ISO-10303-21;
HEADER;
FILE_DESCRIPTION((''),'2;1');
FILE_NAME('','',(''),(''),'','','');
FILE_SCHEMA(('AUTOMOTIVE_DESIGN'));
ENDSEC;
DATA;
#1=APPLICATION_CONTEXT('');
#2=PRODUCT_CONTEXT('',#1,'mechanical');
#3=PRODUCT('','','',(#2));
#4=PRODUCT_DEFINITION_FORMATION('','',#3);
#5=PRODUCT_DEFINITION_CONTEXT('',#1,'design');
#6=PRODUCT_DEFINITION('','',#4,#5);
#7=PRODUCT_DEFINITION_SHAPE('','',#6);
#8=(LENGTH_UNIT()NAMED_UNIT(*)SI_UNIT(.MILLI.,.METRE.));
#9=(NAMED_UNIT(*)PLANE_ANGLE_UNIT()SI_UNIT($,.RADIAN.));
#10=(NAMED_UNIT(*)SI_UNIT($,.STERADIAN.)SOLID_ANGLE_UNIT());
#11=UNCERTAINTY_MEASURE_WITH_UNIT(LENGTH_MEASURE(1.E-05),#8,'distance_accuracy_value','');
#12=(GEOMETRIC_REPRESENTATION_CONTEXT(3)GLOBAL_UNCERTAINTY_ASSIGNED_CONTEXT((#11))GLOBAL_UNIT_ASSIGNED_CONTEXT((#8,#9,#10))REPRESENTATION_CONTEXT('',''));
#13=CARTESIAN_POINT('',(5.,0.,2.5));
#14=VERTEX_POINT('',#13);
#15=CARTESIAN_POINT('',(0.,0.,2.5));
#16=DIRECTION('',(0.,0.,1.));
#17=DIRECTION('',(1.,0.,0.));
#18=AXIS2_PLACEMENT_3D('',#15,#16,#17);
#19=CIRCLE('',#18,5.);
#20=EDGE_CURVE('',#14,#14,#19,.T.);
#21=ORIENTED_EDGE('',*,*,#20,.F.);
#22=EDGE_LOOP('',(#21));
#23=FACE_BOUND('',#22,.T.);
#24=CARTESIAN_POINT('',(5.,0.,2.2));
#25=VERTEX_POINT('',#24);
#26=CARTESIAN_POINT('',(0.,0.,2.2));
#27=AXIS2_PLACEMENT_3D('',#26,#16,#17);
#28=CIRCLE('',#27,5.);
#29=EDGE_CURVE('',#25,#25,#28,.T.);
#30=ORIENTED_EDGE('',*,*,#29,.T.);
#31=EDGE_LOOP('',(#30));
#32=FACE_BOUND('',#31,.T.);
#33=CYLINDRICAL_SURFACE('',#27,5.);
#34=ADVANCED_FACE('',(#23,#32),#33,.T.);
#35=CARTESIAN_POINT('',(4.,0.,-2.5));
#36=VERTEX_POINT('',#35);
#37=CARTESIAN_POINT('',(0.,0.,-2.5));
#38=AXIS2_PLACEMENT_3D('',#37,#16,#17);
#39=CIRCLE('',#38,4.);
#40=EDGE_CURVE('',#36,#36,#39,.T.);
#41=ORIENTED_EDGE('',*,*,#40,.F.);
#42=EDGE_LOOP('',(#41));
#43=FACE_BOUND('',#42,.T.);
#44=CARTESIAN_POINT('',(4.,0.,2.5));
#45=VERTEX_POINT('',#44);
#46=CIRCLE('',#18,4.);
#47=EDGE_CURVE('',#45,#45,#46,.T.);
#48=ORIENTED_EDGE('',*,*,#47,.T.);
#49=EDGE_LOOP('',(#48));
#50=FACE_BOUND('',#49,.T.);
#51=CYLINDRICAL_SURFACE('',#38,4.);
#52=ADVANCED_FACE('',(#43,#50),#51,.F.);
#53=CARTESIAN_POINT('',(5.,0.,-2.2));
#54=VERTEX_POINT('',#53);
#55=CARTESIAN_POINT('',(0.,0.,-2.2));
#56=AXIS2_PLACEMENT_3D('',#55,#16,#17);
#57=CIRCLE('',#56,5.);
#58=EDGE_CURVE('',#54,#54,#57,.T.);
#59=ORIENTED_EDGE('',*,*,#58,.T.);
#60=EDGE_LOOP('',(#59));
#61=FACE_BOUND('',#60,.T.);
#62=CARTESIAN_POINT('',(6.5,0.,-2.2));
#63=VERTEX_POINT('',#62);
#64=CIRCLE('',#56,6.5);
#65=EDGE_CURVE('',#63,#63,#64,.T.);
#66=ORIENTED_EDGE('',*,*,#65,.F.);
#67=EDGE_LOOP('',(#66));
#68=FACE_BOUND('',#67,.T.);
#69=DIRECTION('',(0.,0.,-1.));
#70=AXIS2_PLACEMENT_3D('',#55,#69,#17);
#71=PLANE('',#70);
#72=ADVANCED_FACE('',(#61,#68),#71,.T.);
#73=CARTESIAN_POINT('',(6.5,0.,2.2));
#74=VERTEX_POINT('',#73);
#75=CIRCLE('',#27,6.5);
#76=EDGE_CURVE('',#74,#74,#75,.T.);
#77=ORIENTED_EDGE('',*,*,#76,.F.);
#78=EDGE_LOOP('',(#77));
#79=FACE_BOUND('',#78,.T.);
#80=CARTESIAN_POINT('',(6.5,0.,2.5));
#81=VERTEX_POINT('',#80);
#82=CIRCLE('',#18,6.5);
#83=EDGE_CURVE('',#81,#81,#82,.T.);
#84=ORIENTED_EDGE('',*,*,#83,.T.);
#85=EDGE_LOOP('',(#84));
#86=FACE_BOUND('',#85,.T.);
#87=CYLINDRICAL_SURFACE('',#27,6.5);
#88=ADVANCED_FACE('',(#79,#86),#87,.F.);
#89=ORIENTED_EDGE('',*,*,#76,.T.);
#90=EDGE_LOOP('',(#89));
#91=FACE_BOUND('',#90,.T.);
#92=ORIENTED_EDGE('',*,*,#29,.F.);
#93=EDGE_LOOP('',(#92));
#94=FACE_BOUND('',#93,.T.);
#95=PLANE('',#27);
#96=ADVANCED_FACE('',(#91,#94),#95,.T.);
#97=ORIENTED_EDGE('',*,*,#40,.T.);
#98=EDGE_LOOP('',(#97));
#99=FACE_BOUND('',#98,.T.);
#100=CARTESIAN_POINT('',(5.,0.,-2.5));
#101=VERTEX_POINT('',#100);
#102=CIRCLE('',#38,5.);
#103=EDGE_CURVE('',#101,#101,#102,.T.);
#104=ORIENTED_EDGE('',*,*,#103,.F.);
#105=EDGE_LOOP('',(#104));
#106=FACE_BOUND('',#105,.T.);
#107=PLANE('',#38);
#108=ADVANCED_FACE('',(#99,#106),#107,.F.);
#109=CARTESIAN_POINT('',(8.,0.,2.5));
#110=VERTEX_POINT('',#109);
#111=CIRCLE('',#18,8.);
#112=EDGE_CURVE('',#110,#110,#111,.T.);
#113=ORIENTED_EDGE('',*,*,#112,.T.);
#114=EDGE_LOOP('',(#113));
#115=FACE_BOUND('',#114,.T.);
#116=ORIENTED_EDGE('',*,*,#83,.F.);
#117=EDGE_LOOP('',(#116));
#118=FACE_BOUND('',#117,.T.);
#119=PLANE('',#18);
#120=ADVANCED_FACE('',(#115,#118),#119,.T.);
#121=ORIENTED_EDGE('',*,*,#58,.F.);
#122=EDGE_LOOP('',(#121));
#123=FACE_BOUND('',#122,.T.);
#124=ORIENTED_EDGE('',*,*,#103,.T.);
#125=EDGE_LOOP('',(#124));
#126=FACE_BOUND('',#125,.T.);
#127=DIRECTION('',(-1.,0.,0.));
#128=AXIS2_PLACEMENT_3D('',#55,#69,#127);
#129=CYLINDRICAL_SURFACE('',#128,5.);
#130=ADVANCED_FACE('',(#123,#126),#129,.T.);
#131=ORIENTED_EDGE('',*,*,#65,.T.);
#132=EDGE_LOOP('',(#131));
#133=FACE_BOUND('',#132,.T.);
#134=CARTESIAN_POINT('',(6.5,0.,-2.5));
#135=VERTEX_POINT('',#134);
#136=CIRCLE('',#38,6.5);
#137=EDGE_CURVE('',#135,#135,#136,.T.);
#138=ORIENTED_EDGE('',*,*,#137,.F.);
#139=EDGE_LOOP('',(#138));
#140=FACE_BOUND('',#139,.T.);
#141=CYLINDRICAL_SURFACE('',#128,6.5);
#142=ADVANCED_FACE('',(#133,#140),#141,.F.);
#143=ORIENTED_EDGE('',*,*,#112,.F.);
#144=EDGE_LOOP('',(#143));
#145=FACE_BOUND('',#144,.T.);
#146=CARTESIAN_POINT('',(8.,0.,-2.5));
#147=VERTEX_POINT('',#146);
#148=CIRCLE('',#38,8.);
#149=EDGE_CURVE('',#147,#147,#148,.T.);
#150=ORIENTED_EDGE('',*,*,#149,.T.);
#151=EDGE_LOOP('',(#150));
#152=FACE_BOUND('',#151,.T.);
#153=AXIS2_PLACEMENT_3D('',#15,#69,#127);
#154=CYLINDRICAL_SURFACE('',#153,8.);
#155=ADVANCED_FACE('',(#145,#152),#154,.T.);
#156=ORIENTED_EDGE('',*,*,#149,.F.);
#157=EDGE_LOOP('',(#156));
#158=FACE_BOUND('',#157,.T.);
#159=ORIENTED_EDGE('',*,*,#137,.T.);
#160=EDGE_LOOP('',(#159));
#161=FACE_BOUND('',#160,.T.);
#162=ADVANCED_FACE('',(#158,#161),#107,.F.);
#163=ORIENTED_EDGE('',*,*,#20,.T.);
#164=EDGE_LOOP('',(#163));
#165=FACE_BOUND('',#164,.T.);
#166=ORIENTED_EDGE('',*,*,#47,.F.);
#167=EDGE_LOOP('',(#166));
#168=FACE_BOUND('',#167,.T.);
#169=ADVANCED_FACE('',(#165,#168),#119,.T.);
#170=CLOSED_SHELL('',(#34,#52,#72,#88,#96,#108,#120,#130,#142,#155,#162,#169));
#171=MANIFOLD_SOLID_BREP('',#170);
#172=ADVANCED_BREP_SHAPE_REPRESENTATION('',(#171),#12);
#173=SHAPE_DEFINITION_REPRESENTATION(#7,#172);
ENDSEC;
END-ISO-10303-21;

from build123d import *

# Parameters (mm, degrees)
BODY_DEPTH       = 2.5
BODY_DEPTH_BACK  = 2.5
SKETCH1_R        = 8
SKETCH3_R        = 4
BORE_HOLE_DEPTH  = 13.369316877
SKETCH4_R        = 6.5
SKETCH4_R_2      = 5
DECORATION_DEPTH = 0.3


with BuildPart() as part:
    # Sketch1 → Body (new, two sides: drawn at the far end of the back side and taken through both)
    with BuildSketch(Plane.XY.offset(-BODY_DEPTH_BACK)):
        Circle(SKETCH1_R)
    extrude(amount=BODY_DEPTH + BODY_DEPTH_BACK)

    # Sketch3 → Bore-Hole (cut, through all)
    with BuildSketch(Plane.XY.offset(2.5)):
        Circle(SKETCH3_R)
    extrude(amount=-BORE_HOLE_DEPTH, mode=Mode.SUBTRACT)

    # Sketch4 → Decoration (cut)
    with BuildSketch(Plane.XY.offset(2.5)):
        Circle(SKETCH4_R)
        Circle(SKETCH4_R_2, mode=Mode.SUBTRACT)
    decoration = extrude(amount=-DECORATION_DEPTH, mode=Mode.SUBTRACT)

    # Mirror1: Decoration across plane
    add(decoration.mirror(Plane.XY), mode=Mode.SUBTRACT)


solid = part.part
